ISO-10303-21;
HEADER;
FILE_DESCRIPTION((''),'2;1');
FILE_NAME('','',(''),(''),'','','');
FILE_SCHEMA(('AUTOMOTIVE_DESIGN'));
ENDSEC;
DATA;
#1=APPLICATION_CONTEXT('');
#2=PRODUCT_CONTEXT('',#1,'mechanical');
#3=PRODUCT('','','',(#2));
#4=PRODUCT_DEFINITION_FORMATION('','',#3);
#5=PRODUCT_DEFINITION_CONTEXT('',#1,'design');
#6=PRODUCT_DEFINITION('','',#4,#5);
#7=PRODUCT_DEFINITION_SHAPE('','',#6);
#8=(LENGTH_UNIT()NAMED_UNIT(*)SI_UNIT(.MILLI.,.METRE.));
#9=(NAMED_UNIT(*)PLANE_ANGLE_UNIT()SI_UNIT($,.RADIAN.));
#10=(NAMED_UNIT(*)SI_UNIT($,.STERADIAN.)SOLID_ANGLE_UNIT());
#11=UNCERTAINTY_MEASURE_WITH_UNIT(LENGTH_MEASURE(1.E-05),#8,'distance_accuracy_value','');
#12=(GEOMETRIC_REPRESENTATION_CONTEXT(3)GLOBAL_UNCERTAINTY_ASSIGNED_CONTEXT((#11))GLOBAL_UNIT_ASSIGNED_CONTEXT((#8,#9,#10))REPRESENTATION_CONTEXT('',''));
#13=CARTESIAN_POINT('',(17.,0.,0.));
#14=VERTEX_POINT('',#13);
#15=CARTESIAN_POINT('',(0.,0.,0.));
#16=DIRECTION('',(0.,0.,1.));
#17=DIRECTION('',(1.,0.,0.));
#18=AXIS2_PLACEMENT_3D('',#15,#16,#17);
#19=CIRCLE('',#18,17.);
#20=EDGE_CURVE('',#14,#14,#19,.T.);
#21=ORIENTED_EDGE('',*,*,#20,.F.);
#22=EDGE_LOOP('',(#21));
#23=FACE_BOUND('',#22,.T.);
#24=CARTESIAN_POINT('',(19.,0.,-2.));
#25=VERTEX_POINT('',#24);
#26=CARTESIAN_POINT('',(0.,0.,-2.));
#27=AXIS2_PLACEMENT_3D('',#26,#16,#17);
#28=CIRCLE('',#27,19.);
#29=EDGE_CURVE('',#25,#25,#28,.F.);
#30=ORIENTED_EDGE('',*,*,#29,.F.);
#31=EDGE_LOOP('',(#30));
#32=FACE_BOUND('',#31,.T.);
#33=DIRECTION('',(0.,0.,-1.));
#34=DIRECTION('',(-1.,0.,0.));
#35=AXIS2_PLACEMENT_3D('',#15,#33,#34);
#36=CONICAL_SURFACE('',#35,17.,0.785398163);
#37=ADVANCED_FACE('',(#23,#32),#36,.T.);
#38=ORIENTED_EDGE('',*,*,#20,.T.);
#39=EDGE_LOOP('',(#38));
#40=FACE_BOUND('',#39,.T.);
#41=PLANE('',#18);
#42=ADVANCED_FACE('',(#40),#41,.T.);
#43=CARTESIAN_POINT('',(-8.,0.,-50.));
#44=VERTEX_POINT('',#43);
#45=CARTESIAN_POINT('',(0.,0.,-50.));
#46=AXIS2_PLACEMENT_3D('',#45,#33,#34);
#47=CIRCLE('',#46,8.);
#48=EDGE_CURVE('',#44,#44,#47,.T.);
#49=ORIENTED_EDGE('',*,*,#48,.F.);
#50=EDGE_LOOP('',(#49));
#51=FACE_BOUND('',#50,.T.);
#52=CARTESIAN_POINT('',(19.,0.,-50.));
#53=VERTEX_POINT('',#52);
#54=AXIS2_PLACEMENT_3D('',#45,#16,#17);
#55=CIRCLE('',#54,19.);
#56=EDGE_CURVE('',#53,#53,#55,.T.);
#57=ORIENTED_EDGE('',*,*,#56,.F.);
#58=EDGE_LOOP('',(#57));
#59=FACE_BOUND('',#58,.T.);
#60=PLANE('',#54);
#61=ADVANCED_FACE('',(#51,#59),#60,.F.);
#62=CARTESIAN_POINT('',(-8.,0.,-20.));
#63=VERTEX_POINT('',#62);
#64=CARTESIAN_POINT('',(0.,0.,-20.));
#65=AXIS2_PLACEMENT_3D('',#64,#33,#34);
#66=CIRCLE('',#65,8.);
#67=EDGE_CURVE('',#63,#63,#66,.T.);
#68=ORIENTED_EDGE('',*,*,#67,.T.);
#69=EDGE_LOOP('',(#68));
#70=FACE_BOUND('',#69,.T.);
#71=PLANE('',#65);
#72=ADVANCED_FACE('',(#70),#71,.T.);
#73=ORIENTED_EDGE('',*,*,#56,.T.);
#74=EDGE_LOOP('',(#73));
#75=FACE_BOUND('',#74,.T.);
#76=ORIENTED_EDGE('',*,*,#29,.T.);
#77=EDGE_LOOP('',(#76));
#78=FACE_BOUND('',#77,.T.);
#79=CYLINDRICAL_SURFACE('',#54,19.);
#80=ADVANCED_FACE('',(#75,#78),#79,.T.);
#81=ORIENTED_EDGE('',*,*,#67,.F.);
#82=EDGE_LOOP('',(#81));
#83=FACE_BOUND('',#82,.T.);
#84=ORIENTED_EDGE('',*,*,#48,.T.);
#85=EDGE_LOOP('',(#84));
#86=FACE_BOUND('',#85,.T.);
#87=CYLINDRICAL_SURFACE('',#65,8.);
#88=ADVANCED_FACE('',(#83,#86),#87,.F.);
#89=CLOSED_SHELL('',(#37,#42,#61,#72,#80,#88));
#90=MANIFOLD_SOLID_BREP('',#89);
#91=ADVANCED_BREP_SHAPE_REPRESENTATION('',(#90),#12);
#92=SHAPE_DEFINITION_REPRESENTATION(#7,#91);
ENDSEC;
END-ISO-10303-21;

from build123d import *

# Parameters (mm, degrees)
CROQUIS1_R              = 19
SALIENTE_EXTRUIR1_DEPTH = 50
CHAFL_N1_SIZE           = 2
CROQUIS2_R              = 8
CORTAR_EXTRUIR1_DEPTH   = 30


with BuildPart() as part:
    # Croquis1 → Saliente-Extruir1 (new body)
    with BuildSketch(Plane.XY):
        Circle(CROQUIS1_R)
    extrude(amount=-SALIENTE_EXTRUIR1_DEPTH)

    # Chaflán1
    chafl_n1_edges = [part.edges().sort_by_distance(p)[0] for p in [
        (-19, 0, 0),
    ]]
    chamfer(chafl_n1_edges, length=CHAFL_N1_SIZE)

    # Croquis2 → Cortar-Extruir1 (cut)
    with BuildSketch(Plane(origin=(0, 0, -50), x_dir=(-1, 0, 0), z_dir=(0, 0, -1))):
        Circle(CROQUIS2_R)
    extrude(amount=-CORTAR_EXTRUIR1_DEPTH, mode=Mode.SUBTRACT)


solid = part.part
